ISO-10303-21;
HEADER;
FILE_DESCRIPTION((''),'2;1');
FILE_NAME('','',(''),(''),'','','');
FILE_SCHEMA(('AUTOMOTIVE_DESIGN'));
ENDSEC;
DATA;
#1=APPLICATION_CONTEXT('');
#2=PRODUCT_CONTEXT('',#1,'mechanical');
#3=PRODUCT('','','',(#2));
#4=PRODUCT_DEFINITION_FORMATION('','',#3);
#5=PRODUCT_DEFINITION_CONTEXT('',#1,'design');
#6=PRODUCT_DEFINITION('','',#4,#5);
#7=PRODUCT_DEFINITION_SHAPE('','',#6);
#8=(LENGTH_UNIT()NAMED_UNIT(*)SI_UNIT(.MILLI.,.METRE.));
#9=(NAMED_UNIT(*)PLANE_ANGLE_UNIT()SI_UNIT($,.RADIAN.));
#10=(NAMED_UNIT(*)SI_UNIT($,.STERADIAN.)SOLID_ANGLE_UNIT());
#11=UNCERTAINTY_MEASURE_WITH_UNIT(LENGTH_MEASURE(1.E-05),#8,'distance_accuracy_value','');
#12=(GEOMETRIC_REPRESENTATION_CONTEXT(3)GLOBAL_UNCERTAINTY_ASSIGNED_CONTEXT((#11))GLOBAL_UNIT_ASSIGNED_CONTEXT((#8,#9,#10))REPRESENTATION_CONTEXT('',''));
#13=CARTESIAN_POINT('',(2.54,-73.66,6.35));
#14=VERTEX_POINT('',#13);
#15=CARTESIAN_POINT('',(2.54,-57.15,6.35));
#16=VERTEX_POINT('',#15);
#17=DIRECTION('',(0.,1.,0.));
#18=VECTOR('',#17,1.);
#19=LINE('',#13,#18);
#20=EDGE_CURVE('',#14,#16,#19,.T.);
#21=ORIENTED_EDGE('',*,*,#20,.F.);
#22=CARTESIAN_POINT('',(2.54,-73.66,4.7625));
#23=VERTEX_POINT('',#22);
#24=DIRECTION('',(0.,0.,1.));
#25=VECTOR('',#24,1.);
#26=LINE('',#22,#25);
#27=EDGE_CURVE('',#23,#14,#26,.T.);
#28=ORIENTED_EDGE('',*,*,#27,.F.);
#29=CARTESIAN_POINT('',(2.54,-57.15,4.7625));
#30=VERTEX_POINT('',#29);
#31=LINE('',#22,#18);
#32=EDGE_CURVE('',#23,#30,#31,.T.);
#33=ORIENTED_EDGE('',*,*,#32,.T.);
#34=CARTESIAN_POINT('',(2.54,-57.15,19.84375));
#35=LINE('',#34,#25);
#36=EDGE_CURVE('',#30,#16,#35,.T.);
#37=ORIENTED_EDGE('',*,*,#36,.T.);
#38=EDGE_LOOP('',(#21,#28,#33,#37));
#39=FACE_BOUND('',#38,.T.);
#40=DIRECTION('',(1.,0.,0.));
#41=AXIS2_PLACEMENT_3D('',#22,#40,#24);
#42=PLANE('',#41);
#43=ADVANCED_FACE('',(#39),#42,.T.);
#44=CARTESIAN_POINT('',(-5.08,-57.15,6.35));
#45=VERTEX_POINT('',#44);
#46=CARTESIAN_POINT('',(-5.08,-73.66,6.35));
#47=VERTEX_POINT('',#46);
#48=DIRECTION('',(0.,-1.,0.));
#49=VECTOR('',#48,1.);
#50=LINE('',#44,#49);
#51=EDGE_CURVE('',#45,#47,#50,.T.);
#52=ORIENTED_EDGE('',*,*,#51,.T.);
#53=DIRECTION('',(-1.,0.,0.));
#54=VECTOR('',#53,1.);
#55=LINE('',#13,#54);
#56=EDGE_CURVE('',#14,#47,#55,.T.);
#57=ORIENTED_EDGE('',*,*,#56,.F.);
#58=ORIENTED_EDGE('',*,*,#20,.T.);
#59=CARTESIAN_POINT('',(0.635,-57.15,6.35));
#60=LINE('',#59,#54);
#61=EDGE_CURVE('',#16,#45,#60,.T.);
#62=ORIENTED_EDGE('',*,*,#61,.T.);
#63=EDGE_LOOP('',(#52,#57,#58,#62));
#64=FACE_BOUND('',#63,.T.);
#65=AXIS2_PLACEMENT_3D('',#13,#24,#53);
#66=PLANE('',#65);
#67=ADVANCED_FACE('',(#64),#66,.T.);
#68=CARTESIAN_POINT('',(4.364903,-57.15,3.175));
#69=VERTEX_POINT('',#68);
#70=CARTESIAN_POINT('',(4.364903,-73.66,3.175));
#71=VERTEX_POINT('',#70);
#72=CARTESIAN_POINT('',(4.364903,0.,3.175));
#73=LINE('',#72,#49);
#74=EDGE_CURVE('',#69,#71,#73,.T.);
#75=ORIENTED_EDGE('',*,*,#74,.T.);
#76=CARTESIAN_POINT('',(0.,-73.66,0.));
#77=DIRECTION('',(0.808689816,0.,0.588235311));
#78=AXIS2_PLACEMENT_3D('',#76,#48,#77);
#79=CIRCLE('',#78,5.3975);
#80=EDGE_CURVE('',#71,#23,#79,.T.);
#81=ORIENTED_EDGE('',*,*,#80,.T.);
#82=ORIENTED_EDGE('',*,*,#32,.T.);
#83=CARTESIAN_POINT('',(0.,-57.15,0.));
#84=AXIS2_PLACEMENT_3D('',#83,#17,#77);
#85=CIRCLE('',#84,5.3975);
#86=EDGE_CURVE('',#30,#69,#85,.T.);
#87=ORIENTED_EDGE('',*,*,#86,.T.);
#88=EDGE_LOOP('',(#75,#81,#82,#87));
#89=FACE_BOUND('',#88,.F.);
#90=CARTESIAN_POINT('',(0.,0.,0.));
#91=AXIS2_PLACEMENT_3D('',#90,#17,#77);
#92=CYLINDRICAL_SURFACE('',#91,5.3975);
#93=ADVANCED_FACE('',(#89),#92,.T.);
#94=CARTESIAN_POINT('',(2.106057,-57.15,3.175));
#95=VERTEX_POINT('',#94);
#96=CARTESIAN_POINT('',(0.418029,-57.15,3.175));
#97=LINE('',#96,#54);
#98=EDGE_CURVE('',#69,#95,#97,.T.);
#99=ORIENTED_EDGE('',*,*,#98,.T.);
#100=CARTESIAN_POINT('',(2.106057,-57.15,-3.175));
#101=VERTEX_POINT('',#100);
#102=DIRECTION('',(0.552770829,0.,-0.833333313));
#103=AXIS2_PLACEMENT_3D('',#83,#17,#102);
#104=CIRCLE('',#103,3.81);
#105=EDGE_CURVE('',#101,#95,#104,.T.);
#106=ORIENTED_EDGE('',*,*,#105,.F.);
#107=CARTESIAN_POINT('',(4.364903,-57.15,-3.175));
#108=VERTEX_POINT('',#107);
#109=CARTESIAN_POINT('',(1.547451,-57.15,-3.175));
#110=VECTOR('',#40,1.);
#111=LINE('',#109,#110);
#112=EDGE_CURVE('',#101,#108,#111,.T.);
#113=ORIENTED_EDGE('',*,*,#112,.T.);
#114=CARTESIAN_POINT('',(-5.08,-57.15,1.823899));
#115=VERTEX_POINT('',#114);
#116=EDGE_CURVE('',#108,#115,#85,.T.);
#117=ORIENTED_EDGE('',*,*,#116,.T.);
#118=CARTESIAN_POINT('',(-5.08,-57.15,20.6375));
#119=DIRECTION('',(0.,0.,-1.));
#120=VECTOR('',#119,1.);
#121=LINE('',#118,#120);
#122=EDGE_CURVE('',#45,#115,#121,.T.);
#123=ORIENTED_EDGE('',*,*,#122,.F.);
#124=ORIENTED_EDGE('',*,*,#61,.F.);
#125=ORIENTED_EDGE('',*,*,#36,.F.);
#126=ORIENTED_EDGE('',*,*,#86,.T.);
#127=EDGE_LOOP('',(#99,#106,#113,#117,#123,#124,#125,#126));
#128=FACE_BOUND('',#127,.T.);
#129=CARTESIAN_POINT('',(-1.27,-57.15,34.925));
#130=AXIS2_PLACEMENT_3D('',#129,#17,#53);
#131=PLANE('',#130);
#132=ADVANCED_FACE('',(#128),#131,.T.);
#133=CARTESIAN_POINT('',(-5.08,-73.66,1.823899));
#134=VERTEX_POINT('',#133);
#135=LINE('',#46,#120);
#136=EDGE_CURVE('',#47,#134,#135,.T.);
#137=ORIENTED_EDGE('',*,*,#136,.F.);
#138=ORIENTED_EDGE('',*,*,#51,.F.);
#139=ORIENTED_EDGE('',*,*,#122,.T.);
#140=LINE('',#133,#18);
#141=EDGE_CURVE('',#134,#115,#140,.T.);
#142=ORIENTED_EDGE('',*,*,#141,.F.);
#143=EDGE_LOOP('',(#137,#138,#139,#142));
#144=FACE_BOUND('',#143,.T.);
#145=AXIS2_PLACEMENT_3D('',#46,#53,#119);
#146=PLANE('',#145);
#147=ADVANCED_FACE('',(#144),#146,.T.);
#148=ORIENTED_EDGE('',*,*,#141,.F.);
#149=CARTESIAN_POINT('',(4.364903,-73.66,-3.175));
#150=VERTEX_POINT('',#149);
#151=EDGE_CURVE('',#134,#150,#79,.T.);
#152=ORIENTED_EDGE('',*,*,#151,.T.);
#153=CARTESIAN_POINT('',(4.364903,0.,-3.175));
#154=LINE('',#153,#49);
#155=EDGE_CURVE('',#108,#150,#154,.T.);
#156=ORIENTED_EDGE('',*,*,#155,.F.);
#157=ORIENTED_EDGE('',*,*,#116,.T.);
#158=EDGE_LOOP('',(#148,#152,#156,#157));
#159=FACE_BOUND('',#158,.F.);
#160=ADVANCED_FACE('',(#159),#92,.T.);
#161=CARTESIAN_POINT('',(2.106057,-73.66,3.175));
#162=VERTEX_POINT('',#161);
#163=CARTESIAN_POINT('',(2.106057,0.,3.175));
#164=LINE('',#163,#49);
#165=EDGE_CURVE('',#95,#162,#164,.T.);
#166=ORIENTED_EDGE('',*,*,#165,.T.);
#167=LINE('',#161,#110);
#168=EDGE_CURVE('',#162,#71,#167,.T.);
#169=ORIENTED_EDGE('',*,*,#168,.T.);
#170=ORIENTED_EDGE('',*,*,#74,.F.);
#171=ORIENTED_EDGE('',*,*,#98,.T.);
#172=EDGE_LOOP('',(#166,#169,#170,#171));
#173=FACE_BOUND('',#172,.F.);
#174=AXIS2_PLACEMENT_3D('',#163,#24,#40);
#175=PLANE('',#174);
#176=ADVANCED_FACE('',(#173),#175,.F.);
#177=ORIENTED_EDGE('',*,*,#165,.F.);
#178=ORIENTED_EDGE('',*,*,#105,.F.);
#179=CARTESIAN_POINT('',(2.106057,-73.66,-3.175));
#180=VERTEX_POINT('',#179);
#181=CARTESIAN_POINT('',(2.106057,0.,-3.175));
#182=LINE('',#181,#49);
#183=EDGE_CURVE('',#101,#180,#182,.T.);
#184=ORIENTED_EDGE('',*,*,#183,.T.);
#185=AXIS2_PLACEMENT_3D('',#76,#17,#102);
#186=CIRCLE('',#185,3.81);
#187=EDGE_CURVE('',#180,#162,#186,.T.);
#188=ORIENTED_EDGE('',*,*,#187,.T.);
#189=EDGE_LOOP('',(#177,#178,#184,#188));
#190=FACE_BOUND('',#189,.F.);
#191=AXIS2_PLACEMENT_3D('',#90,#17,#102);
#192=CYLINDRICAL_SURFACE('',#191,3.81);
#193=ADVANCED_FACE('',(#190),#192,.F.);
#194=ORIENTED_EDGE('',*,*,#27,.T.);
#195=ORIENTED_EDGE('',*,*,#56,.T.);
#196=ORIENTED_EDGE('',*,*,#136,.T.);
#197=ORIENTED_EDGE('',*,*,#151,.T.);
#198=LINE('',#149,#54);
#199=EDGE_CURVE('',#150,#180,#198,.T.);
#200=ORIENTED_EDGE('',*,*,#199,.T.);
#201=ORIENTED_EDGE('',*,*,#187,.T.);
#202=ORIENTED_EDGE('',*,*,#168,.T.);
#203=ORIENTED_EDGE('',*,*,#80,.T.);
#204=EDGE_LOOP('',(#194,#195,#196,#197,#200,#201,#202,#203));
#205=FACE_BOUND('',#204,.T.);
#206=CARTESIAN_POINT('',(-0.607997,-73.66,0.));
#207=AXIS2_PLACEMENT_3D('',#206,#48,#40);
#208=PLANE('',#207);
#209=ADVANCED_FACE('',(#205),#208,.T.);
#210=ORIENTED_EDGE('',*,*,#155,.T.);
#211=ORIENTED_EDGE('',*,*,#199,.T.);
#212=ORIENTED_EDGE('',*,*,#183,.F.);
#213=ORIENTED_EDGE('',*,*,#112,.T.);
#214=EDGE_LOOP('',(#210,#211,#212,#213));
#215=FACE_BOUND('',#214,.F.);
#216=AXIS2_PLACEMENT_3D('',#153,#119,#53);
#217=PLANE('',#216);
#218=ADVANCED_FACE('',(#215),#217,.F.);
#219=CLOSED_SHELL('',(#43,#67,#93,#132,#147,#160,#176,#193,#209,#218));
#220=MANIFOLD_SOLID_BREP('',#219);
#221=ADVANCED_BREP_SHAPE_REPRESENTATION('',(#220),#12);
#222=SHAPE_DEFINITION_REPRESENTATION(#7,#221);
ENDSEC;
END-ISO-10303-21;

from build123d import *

# Parameters (mm, degrees)
F1_DEPTH  = 73.66
F3_DEPTH  = 73.66
F4_W      = 25.4
F4_H      = 6.349999
F4_H_2    = 6.35
F5_DEPTH  = 69.85
F6_W      = 12.7
F6_H      = 63.5
F7_DEPTH  = 63.5
F8_W      = 25.4
F8_H      = 82.55
F9_DEPTH  = 57.15
F10_W     = 25.4
F10_H     = 6.349999
F11_DEPTH = 69.851


with BuildPart() as f1:
    # F0 (on Front) → F1 (new body)
    with BuildSketch(Plane.XZ):
        with BuildLine():
            ThreePointArc((2.106057, -3.175), (-3.81, 0), (2.106057, 3.175))
            Line((2.106057, 3.175), (4.364903, 3.175))
            ThreePointArc((4.364903, 3.175), (-5.3975, 0), (4.364903, -3.175))
            Line((4.364903, -3.175), (2.106057, -3.175))
        make_face()
    extrude(amount=F1_DEPTH)

    # F2 (on face) → F3 (join, through all)
    with BuildSketch(Plane.XZ.offset(73.66)):
        with BuildLine():
            Line((-5.08, 6.35), (-5.08, 1.823899))
            ThreePointArc((-5.08, 1.823899), (-1.942098, 5.035997), (2.54, 4.7625))
            Line((2.54, 4.7625), (2.54, 6.35))
            Line((2.54, 6.35), (-5.08, 6.35))
        make_face()
    extrude(amount=-F3_DEPTH)

    # F4 (on face) → F5 (join)
    with BuildSketch(Plane.XY.offset(6.35)):
        with Locations((-1.27, -65.405)):
            Rectangle(F4_W, F4_H)
        with Locations((-1.27, -8.255)):
            Rectangle(F4_W, F4_H_2)
    extrude(amount=F5_DEPTH)

    # F6 (on face) → F7 (cut, through all)
    with BuildSketch(Plane.XZ.offset(68.58)):
        with Locations((-1.27, 44.45)):
            Rectangle(F6_W, F6_H)
    extrude(amount=-F7_DEPTH, mode=Mode.SUBTRACT)

    # F8 (on face) → F9 (cut)
    with BuildSketch(Plane(origin=(0, 0, 0), x_dir=(-1, 0, 0), z_dir=(0, 1, 0))):
        with Locations((1.27, 34.925)):
            Rectangle(F8_W, F8_H)
    extrude(amount=-F9_DEPTH, mode=Mode.SUBTRACT)

    # F10 (on face) → F11 (cut, through all)
    with BuildSketch(Plane(origin=(0, 0, 6.35), x_dir=(1, 0, 0), z_dir=(0, 0, -1))):
        with Locations((-1.27, 65.405)):
            Rectangle(F10_W, F10_H)
    extrude(amount=-F11_DEPTH, mode=Mode.SUBTRACT)


solid = f1.part
